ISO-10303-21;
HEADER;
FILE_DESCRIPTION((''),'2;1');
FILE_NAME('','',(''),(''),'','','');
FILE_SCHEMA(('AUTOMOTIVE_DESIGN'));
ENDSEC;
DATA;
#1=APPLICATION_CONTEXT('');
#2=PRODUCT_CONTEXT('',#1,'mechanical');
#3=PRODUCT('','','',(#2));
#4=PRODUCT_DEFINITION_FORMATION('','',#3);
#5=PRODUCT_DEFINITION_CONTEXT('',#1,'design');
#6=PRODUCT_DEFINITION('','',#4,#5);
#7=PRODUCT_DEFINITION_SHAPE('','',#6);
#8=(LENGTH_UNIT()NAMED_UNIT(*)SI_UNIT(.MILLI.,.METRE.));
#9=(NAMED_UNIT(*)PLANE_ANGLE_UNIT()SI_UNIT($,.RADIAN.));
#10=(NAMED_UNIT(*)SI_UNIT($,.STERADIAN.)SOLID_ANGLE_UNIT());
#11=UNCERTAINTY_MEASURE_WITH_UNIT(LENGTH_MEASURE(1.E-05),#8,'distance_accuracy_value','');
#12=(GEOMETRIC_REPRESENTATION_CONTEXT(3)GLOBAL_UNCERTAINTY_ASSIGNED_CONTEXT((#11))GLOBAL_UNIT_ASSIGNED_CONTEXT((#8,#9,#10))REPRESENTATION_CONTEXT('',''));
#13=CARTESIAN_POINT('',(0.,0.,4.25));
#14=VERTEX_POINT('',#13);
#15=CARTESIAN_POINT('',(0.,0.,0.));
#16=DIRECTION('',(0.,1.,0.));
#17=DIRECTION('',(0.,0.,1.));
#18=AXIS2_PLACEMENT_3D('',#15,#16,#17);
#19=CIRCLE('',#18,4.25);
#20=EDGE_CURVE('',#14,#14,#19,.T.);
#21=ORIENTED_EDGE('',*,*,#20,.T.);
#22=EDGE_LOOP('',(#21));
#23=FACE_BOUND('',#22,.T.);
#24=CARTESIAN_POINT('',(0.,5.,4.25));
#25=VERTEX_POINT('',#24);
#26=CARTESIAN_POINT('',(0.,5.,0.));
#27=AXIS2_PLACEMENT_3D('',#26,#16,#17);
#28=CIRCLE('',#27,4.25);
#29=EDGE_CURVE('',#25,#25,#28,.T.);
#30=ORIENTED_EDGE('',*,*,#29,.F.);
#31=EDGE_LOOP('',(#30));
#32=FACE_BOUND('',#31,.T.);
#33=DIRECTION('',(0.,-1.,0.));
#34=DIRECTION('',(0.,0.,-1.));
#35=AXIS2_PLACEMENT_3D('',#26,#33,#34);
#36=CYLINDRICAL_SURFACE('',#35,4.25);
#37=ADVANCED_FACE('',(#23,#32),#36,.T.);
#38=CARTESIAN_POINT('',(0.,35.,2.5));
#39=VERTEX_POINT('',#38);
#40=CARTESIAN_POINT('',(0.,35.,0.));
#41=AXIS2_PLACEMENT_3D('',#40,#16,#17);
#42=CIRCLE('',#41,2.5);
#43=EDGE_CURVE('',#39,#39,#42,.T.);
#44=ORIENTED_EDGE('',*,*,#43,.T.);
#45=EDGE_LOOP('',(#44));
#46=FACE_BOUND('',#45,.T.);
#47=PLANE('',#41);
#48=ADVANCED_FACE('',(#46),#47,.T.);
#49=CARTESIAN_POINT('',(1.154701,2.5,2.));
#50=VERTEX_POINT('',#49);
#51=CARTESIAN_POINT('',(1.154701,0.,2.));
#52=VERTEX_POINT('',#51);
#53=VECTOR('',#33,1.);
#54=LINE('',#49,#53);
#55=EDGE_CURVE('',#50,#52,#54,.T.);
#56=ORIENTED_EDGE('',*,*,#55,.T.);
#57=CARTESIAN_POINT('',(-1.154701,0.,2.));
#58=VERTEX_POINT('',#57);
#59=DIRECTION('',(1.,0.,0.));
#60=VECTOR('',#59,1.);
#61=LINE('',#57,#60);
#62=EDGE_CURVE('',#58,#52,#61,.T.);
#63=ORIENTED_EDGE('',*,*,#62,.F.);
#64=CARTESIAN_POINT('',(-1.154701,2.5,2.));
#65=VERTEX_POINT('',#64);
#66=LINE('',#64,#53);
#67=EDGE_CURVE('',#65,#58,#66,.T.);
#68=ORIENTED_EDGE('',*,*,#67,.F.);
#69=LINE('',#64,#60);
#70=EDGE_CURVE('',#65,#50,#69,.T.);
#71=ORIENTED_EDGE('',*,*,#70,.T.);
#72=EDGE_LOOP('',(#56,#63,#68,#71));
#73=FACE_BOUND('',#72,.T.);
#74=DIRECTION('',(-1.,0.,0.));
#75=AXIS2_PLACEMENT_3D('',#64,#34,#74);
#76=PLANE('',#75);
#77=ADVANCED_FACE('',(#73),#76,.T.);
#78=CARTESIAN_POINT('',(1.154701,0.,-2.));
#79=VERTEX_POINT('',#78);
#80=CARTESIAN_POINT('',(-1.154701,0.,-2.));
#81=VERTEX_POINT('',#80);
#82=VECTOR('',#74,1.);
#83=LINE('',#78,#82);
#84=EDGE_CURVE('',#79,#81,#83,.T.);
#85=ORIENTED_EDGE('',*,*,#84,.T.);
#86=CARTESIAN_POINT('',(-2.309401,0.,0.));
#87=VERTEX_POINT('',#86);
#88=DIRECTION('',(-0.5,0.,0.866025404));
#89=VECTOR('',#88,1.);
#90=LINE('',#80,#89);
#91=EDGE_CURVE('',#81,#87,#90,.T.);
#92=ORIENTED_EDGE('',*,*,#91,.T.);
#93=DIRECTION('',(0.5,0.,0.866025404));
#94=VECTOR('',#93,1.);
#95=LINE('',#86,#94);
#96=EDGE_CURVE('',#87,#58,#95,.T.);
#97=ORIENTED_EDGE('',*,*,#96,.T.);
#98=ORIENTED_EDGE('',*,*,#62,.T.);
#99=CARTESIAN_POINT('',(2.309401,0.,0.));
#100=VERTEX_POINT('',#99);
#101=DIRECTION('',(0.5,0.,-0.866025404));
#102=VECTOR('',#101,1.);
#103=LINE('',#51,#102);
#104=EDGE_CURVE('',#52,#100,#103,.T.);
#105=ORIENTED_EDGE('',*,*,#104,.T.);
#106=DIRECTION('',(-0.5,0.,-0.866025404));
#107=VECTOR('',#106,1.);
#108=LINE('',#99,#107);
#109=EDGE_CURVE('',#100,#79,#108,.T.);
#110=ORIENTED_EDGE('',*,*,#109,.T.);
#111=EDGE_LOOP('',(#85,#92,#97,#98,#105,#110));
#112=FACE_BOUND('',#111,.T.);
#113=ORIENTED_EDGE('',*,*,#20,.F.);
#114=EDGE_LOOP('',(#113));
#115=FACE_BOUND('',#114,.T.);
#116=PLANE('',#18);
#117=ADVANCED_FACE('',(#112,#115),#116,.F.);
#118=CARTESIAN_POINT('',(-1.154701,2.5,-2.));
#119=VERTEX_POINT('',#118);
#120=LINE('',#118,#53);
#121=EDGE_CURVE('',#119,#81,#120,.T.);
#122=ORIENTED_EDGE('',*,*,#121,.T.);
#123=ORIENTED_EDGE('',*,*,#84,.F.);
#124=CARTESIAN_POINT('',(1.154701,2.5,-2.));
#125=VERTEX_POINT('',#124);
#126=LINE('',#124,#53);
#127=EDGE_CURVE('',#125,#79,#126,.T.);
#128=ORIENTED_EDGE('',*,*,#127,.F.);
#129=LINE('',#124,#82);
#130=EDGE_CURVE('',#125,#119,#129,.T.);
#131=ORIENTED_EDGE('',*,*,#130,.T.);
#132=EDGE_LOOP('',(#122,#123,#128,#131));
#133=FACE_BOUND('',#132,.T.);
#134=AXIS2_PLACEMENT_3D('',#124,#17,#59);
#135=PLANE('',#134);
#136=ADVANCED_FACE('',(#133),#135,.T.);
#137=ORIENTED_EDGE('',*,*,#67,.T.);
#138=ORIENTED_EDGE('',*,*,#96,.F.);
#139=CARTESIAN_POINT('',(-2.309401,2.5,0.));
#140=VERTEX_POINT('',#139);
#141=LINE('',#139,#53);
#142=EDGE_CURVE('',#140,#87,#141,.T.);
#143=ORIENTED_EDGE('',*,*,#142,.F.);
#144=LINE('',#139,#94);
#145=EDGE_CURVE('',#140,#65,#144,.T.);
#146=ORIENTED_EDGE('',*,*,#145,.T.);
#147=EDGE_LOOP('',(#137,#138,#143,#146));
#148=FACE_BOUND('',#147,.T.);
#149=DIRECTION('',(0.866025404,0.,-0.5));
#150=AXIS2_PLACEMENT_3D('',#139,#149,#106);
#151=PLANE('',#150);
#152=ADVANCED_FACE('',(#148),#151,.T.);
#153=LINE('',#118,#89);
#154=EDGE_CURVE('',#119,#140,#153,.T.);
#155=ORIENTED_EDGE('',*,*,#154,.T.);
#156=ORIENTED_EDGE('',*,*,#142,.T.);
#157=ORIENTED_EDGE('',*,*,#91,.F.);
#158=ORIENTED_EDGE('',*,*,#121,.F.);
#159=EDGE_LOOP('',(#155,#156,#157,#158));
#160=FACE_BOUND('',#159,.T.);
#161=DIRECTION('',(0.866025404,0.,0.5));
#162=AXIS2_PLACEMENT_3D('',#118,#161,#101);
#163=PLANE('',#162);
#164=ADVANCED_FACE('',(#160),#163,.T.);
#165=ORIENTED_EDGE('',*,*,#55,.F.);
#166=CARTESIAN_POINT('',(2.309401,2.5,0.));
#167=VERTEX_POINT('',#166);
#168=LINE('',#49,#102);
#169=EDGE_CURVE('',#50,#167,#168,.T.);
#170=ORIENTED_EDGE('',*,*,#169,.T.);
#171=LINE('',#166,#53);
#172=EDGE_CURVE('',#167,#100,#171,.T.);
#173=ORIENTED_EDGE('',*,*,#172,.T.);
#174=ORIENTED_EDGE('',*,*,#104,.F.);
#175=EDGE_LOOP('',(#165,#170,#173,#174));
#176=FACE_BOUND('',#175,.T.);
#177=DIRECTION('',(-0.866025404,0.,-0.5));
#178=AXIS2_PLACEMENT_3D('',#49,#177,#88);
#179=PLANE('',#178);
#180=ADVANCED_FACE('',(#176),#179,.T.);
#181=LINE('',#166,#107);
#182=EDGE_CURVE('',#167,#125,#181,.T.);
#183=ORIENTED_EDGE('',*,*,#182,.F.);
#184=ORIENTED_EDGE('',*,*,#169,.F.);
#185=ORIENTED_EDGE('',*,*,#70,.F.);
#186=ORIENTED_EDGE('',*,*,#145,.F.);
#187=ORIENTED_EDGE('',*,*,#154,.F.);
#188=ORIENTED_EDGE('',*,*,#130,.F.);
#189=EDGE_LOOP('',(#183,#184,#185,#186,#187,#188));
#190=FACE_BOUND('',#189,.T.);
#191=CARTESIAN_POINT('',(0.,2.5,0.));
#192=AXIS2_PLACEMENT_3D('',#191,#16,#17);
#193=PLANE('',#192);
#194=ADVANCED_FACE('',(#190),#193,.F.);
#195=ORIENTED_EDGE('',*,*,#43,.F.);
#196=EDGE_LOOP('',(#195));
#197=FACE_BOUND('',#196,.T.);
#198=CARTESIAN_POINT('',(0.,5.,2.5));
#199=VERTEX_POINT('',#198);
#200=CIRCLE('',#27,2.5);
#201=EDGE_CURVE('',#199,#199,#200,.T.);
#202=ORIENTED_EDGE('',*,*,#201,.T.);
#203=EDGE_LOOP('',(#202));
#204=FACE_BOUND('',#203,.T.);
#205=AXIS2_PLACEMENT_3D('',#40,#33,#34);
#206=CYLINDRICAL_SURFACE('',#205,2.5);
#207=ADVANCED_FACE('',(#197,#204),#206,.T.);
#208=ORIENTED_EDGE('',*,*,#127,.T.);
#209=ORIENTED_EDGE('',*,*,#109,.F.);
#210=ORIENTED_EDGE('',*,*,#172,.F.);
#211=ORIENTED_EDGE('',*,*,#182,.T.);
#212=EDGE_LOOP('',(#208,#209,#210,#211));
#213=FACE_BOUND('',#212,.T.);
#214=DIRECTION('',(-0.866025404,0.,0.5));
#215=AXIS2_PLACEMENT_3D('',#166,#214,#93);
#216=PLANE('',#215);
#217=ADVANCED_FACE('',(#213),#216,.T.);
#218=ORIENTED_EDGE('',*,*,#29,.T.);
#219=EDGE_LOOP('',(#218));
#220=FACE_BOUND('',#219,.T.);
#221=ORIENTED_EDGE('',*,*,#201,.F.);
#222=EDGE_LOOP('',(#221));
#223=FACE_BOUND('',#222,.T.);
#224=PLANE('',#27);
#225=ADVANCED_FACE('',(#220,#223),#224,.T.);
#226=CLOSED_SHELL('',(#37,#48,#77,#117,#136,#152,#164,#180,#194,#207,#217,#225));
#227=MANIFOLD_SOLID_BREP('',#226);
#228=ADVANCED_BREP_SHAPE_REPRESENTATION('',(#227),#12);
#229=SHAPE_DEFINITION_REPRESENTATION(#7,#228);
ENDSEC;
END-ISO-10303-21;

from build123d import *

# Parameters (mm, degrees)
SKETCH_1_R          = 4.25
EXTRUDE_1_DEPTH     = 5
EXTRUDE_START       = 5
SKETCH_2_R          = 2.5
EXTRUDE_2_DEPTH     = 30
CUT_EXTRUDE_1_DEPTH = 2.5


with BuildPart() as part:
    # 草图1 → 凸台-拉伸1 (new body)
    with BuildSketch(Plane(origin=(0, 0, 0), x_dir=(1, 0, 0), z_dir=(0, 1, 0))):
        with Locations(Location((0, 0, 0), (0, 0, 270))):
            Circle(SKETCH_1_R)
    extrude(amount=EXTRUDE_1_DEPTH)

    # 草图2 → 凸台-拉伸2 (add)
    with BuildSketch(Plane(origin=(0, 0, 0), x_dir=(1, 0, 0), z_dir=(0, 1, 0)).offset(EXTRUDE_START)):
        with Locations(Location((0, 0, 0), (0, 0, 270))):
            Circle(SKETCH_2_R)
    extrude(amount=EXTRUDE_2_DEPTH)

    # 草图4 → 切除-拉伸1 (cut)
    with BuildSketch(Plane(origin=(0, 0, 0), x_dir=(1, 0, 0), z_dir=(0, 1, 0))):
        Polygon((2.309401077, 0), (1.154700538, 2), (-1.154700538, 2), (-2.309401077, 0), (-1.154700538, -2), (1.154700538, -2), align=None)
    extrude(amount=CUT_EXTRUDE_1_DEPTH, mode=Mode.SUBTRACT)


solid = part.part
